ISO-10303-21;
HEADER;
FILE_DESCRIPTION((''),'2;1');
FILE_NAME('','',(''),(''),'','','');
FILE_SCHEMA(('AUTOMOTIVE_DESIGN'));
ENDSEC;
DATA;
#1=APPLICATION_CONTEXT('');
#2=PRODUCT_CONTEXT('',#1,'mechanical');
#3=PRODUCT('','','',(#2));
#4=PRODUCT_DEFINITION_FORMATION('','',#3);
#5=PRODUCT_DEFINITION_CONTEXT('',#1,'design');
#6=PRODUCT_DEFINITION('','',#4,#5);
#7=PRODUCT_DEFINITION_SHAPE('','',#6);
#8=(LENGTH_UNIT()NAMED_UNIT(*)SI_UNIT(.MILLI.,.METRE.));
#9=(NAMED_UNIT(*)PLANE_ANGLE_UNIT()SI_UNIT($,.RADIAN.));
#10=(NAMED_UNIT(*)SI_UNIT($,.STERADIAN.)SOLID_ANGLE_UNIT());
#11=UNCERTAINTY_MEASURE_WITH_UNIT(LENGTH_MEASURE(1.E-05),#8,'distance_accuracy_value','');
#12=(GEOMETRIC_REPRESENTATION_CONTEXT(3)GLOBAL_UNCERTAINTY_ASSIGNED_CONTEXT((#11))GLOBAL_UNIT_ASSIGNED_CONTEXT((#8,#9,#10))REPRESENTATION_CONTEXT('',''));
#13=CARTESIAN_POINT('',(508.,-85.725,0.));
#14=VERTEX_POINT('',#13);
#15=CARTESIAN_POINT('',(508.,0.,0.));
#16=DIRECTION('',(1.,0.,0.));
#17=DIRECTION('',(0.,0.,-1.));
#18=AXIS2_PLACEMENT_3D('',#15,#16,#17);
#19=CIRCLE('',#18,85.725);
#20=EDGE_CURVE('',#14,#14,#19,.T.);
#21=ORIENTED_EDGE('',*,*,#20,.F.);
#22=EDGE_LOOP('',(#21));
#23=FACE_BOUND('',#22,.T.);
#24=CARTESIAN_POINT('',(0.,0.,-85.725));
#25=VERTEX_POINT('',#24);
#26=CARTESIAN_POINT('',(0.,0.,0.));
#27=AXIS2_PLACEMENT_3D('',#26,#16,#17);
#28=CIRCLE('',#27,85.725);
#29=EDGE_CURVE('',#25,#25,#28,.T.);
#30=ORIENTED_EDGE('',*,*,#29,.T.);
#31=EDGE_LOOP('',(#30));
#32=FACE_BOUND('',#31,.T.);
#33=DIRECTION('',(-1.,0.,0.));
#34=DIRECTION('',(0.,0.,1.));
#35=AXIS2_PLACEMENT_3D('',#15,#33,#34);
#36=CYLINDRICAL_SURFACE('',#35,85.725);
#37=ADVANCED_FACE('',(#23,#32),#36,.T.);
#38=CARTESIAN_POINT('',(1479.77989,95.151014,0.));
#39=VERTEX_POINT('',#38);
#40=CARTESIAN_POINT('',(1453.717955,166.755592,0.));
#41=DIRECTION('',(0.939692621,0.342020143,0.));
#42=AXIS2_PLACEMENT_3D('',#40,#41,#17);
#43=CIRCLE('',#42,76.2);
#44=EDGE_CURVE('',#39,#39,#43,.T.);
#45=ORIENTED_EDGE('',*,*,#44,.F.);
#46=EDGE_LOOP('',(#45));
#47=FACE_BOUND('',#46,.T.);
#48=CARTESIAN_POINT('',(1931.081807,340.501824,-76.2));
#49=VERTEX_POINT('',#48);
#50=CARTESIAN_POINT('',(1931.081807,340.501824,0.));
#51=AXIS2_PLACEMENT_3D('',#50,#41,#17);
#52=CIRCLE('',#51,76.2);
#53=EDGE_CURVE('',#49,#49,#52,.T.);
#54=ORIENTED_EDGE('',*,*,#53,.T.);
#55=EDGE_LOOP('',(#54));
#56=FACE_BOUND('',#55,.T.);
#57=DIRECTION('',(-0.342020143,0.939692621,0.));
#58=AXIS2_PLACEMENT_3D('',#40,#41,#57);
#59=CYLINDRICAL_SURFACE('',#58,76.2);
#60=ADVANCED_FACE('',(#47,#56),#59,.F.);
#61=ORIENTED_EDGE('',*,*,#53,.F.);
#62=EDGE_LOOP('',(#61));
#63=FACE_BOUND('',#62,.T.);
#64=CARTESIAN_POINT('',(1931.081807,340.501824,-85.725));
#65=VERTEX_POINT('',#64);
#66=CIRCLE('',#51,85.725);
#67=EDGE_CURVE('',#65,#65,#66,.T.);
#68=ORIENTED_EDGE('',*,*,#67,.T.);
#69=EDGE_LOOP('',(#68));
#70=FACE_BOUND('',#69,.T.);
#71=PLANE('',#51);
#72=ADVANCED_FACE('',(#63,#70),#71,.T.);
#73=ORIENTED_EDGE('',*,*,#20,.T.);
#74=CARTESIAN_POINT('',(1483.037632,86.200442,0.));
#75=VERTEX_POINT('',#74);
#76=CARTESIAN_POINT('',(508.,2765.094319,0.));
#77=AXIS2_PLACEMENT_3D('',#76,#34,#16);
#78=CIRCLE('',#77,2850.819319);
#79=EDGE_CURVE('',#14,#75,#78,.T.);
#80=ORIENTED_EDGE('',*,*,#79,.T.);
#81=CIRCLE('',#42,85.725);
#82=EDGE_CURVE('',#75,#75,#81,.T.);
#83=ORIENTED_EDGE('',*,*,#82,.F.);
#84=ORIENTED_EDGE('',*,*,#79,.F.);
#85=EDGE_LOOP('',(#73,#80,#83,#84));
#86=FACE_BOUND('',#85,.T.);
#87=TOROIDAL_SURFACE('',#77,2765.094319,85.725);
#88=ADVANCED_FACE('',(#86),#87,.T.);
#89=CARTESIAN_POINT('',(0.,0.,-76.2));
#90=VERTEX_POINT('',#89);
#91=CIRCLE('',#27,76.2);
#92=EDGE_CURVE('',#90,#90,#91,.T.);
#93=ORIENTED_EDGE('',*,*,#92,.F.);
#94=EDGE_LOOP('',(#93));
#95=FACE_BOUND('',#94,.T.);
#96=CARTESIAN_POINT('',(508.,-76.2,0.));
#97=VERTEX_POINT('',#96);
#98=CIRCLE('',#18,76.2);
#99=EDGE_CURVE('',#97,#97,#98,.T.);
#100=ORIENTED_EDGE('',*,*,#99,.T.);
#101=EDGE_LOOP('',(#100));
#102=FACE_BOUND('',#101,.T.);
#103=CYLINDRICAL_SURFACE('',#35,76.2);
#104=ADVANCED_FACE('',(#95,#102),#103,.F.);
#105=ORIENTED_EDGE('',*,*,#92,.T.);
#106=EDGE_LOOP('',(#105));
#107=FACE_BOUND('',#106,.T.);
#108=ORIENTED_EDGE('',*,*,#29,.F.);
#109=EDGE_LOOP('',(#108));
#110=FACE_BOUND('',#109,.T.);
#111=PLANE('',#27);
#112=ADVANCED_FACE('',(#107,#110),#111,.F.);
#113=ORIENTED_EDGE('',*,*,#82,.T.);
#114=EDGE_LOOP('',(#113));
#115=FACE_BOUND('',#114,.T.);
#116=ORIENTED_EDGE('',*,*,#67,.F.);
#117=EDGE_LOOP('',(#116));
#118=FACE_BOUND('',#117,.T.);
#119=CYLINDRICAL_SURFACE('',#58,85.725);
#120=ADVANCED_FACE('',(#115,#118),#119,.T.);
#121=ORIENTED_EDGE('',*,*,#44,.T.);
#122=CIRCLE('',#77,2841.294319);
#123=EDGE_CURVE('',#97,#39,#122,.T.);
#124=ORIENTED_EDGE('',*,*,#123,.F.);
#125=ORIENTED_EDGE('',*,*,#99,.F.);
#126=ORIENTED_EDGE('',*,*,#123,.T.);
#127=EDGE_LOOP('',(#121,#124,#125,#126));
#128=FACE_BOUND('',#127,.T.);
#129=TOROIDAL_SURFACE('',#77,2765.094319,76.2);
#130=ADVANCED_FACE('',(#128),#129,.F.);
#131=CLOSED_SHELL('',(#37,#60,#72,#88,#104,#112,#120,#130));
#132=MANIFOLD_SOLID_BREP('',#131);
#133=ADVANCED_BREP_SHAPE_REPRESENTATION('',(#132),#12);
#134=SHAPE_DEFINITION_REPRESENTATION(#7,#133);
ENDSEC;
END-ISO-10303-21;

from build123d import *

# Parameters (mm, degrees)
SKETCH2_R   = 85.725
SKETCH2_R_2 = 76.2


with BuildPart() as part:
    # Sweep1: sweep along a path in Sketch1
    with BuildLine(Plane.XY) as sweep1_path:
        Line((1931.081806756, 340.501824486), (1453.717955396, 166.755591677))
        ThreePointArc((1453.717955396, 166.755591677), (988.153589624, 42.007995843), (508, 0))
        Line((508, 0), (0, 0))
    # Sketch2 → Sweep1 (sweep)
    with BuildSketch(Plane(origin=(0, 0, 0), x_dir=(0, 0, -1), z_dir=(1, 0, 0))):
        Circle(SKETCH2_R)
        Circle(SKETCH2_R_2, mode=Mode.SUBTRACT)
    sweep(path=sweep1_path.line)


solid = part.part
